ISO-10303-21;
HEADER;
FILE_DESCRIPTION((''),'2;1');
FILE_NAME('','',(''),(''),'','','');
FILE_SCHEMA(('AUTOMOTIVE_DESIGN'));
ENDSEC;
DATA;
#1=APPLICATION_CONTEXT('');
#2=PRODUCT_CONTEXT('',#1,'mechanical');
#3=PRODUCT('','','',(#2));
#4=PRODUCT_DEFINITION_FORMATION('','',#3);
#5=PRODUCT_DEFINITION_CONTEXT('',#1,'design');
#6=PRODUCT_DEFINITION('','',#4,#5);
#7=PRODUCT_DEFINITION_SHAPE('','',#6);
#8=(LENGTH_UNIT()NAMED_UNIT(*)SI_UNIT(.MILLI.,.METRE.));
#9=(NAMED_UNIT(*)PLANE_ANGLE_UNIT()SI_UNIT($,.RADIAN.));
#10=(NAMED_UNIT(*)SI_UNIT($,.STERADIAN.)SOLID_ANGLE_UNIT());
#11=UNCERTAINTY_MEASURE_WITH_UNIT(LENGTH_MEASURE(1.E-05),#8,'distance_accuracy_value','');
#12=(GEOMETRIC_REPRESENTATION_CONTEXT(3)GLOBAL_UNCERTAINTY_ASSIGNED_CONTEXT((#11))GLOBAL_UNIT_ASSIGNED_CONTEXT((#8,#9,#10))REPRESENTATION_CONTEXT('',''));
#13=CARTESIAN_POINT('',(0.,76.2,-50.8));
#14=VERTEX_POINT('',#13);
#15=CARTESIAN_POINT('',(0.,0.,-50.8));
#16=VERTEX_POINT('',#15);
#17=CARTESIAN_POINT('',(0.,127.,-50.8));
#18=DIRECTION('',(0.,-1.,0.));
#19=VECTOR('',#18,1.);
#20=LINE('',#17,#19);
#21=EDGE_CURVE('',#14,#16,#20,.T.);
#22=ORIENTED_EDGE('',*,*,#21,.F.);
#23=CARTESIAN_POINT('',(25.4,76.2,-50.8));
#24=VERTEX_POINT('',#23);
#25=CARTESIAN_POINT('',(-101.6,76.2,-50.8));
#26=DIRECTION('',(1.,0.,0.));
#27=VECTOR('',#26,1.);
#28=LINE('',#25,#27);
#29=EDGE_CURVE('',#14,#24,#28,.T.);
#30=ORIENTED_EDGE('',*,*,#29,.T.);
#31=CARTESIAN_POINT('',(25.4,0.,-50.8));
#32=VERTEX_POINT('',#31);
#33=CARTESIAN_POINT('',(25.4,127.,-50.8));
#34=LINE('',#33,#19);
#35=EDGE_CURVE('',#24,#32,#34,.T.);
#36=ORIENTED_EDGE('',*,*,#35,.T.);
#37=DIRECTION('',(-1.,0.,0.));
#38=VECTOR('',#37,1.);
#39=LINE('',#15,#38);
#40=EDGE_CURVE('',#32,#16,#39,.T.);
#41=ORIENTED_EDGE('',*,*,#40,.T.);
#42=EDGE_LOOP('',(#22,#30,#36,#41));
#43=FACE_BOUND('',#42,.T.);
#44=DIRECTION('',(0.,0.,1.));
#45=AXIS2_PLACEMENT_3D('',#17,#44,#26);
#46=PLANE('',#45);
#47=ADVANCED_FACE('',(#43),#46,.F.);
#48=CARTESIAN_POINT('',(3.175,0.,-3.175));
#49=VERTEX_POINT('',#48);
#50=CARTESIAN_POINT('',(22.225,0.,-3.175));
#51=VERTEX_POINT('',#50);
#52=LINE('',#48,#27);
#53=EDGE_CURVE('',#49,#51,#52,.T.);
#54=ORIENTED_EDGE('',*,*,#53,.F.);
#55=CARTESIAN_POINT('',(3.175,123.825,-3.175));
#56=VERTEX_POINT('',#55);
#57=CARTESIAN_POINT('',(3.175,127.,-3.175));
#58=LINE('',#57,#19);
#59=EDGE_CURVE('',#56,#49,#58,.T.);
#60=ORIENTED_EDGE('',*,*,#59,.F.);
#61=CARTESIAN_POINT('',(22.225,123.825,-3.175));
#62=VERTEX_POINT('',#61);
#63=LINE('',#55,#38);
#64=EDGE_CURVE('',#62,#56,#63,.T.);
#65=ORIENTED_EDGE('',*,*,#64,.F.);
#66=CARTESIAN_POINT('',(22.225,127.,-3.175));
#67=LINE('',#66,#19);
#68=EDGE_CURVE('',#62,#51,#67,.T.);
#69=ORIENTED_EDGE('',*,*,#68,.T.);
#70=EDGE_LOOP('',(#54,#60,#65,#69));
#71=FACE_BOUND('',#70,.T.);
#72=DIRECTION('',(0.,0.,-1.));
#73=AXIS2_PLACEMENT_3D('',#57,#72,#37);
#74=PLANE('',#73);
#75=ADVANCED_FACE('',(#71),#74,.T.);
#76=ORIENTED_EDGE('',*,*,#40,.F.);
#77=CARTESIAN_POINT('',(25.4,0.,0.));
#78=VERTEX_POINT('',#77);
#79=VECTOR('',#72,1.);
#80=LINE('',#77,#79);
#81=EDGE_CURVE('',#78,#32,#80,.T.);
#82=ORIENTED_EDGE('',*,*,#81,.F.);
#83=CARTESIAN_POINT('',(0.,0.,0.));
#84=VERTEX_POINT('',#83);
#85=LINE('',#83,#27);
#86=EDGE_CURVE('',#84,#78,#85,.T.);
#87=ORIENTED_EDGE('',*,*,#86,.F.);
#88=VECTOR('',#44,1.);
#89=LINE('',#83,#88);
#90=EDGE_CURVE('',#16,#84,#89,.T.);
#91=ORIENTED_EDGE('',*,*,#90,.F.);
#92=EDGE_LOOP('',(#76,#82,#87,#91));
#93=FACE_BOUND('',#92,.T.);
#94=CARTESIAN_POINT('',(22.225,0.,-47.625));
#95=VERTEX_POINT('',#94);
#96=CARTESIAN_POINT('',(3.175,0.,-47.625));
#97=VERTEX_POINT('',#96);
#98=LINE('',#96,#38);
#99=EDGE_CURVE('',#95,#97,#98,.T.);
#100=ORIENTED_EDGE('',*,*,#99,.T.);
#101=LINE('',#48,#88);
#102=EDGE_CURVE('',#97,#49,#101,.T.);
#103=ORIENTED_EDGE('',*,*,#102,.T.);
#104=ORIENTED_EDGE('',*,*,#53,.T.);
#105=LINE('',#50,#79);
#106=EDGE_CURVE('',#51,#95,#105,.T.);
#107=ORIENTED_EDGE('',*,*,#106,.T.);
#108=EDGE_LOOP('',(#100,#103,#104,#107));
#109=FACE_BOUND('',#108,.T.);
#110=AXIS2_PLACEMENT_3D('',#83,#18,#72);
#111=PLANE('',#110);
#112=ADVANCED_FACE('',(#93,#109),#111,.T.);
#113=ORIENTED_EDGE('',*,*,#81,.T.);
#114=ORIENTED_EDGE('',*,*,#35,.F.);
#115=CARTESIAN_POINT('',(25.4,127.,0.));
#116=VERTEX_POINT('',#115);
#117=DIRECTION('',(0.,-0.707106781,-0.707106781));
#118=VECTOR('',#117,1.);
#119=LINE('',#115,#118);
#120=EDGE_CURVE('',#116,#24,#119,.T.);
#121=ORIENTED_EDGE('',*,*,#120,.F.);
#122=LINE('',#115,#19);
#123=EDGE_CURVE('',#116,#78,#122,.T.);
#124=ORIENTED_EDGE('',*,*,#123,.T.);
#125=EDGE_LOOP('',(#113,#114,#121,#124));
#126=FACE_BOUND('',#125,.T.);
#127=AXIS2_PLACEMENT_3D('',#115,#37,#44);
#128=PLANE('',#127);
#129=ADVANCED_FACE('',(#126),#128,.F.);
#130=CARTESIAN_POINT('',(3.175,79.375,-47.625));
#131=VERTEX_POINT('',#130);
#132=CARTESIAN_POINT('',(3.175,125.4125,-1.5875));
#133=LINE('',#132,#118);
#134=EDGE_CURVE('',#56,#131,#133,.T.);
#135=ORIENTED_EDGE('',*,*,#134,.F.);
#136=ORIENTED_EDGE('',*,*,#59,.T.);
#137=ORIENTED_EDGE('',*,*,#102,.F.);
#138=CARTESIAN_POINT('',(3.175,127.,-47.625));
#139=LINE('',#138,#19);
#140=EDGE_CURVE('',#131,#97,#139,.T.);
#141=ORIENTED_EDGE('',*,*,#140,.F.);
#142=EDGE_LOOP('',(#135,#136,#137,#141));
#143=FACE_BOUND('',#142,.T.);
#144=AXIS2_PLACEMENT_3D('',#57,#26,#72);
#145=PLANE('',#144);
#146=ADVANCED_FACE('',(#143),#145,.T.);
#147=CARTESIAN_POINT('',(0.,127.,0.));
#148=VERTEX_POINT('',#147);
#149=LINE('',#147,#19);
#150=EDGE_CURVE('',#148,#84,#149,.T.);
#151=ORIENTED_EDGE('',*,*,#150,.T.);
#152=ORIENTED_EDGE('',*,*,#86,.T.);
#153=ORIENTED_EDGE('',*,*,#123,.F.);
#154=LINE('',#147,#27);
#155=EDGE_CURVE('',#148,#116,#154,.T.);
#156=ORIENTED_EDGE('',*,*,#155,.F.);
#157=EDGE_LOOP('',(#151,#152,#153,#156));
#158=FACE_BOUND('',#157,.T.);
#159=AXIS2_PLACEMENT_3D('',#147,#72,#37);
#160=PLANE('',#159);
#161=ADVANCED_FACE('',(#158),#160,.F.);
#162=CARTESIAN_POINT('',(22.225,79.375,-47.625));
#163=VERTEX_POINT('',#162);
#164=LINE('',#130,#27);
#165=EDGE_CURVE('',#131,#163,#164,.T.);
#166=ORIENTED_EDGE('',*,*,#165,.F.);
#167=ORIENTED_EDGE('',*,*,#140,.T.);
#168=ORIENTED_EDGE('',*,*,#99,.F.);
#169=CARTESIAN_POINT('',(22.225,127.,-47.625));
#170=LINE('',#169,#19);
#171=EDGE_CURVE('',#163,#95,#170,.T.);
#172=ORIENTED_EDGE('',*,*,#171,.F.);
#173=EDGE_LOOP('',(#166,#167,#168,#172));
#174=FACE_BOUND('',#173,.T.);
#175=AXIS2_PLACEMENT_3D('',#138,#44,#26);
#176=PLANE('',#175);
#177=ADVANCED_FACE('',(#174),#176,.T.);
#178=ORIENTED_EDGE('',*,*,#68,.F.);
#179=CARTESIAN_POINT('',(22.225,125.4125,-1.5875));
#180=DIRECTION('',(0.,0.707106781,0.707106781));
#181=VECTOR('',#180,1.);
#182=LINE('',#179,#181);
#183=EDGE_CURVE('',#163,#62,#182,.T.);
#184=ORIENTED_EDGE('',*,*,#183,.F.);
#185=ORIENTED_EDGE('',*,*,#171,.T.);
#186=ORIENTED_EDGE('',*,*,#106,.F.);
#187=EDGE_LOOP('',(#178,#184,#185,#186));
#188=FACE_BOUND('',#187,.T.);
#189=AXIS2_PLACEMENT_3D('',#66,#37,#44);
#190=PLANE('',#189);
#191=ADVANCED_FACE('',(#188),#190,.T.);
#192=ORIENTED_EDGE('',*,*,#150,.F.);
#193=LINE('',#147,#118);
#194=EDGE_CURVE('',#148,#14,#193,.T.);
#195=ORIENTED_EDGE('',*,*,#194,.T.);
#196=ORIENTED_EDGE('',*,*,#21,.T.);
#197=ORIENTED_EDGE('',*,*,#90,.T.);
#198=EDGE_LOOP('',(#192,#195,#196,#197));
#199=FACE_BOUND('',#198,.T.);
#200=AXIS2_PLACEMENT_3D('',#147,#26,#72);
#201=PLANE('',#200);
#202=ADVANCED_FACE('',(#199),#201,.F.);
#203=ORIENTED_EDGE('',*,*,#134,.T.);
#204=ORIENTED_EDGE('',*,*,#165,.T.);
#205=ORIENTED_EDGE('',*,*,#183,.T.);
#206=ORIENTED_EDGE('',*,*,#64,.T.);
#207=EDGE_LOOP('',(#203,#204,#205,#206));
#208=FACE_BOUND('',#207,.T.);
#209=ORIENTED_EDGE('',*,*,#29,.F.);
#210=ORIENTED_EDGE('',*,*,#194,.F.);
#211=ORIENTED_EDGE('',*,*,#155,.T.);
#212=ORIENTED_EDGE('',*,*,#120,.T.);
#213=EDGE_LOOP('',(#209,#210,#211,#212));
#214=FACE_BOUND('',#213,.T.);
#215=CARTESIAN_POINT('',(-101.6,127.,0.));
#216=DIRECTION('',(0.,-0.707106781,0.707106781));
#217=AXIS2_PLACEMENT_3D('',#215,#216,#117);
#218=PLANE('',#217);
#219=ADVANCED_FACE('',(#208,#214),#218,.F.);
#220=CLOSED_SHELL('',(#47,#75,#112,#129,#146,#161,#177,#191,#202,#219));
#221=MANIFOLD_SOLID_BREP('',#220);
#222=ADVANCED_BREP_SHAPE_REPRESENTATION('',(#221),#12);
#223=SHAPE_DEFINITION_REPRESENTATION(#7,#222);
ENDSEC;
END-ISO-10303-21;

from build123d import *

# Parameters (mm, degrees)
SKETCH1_W           = 25.4
SKETCH1_H           = 50.8
SKETCH1_W_2         = 19.05
SKETCH1_H_2         = 44.45
BOSS_EXTRUDE1_DEPTH = 127
CUT_EXTRUDE1_DEPTH  = 127


with BuildPart() as part:
    # Sketch1 → Boss-Extrude1 (new body)
    with BuildSketch(Plane(origin=(0, 0, 0), x_dir=(1, 0, 0), z_dir=(0, 1, 0))):
        with Locations((12.7, 25.4)):
            Rectangle(SKETCH1_W, SKETCH1_H)
        with Locations((12.7, 25.4)):
            Rectangle(SKETCH1_W_2, SKETCH1_H_2, mode=Mode.SUBTRACT)
    extrude(amount=BOSS_EXTRUDE1_DEPTH)

    # Sketch2 → Cut-Extrude1 (cut)
    with BuildSketch(Plane(origin=(25.4, 0, 0), x_dir=(0, 0, -1), z_dir=(1, 0, 0))):
        Polygon((0, 127), (50.8, 76.2), (50.8, 127), align=None)
    extrude(amount=-CUT_EXTRUDE1_DEPTH, mode=Mode.SUBTRACT)


solid = part.part
